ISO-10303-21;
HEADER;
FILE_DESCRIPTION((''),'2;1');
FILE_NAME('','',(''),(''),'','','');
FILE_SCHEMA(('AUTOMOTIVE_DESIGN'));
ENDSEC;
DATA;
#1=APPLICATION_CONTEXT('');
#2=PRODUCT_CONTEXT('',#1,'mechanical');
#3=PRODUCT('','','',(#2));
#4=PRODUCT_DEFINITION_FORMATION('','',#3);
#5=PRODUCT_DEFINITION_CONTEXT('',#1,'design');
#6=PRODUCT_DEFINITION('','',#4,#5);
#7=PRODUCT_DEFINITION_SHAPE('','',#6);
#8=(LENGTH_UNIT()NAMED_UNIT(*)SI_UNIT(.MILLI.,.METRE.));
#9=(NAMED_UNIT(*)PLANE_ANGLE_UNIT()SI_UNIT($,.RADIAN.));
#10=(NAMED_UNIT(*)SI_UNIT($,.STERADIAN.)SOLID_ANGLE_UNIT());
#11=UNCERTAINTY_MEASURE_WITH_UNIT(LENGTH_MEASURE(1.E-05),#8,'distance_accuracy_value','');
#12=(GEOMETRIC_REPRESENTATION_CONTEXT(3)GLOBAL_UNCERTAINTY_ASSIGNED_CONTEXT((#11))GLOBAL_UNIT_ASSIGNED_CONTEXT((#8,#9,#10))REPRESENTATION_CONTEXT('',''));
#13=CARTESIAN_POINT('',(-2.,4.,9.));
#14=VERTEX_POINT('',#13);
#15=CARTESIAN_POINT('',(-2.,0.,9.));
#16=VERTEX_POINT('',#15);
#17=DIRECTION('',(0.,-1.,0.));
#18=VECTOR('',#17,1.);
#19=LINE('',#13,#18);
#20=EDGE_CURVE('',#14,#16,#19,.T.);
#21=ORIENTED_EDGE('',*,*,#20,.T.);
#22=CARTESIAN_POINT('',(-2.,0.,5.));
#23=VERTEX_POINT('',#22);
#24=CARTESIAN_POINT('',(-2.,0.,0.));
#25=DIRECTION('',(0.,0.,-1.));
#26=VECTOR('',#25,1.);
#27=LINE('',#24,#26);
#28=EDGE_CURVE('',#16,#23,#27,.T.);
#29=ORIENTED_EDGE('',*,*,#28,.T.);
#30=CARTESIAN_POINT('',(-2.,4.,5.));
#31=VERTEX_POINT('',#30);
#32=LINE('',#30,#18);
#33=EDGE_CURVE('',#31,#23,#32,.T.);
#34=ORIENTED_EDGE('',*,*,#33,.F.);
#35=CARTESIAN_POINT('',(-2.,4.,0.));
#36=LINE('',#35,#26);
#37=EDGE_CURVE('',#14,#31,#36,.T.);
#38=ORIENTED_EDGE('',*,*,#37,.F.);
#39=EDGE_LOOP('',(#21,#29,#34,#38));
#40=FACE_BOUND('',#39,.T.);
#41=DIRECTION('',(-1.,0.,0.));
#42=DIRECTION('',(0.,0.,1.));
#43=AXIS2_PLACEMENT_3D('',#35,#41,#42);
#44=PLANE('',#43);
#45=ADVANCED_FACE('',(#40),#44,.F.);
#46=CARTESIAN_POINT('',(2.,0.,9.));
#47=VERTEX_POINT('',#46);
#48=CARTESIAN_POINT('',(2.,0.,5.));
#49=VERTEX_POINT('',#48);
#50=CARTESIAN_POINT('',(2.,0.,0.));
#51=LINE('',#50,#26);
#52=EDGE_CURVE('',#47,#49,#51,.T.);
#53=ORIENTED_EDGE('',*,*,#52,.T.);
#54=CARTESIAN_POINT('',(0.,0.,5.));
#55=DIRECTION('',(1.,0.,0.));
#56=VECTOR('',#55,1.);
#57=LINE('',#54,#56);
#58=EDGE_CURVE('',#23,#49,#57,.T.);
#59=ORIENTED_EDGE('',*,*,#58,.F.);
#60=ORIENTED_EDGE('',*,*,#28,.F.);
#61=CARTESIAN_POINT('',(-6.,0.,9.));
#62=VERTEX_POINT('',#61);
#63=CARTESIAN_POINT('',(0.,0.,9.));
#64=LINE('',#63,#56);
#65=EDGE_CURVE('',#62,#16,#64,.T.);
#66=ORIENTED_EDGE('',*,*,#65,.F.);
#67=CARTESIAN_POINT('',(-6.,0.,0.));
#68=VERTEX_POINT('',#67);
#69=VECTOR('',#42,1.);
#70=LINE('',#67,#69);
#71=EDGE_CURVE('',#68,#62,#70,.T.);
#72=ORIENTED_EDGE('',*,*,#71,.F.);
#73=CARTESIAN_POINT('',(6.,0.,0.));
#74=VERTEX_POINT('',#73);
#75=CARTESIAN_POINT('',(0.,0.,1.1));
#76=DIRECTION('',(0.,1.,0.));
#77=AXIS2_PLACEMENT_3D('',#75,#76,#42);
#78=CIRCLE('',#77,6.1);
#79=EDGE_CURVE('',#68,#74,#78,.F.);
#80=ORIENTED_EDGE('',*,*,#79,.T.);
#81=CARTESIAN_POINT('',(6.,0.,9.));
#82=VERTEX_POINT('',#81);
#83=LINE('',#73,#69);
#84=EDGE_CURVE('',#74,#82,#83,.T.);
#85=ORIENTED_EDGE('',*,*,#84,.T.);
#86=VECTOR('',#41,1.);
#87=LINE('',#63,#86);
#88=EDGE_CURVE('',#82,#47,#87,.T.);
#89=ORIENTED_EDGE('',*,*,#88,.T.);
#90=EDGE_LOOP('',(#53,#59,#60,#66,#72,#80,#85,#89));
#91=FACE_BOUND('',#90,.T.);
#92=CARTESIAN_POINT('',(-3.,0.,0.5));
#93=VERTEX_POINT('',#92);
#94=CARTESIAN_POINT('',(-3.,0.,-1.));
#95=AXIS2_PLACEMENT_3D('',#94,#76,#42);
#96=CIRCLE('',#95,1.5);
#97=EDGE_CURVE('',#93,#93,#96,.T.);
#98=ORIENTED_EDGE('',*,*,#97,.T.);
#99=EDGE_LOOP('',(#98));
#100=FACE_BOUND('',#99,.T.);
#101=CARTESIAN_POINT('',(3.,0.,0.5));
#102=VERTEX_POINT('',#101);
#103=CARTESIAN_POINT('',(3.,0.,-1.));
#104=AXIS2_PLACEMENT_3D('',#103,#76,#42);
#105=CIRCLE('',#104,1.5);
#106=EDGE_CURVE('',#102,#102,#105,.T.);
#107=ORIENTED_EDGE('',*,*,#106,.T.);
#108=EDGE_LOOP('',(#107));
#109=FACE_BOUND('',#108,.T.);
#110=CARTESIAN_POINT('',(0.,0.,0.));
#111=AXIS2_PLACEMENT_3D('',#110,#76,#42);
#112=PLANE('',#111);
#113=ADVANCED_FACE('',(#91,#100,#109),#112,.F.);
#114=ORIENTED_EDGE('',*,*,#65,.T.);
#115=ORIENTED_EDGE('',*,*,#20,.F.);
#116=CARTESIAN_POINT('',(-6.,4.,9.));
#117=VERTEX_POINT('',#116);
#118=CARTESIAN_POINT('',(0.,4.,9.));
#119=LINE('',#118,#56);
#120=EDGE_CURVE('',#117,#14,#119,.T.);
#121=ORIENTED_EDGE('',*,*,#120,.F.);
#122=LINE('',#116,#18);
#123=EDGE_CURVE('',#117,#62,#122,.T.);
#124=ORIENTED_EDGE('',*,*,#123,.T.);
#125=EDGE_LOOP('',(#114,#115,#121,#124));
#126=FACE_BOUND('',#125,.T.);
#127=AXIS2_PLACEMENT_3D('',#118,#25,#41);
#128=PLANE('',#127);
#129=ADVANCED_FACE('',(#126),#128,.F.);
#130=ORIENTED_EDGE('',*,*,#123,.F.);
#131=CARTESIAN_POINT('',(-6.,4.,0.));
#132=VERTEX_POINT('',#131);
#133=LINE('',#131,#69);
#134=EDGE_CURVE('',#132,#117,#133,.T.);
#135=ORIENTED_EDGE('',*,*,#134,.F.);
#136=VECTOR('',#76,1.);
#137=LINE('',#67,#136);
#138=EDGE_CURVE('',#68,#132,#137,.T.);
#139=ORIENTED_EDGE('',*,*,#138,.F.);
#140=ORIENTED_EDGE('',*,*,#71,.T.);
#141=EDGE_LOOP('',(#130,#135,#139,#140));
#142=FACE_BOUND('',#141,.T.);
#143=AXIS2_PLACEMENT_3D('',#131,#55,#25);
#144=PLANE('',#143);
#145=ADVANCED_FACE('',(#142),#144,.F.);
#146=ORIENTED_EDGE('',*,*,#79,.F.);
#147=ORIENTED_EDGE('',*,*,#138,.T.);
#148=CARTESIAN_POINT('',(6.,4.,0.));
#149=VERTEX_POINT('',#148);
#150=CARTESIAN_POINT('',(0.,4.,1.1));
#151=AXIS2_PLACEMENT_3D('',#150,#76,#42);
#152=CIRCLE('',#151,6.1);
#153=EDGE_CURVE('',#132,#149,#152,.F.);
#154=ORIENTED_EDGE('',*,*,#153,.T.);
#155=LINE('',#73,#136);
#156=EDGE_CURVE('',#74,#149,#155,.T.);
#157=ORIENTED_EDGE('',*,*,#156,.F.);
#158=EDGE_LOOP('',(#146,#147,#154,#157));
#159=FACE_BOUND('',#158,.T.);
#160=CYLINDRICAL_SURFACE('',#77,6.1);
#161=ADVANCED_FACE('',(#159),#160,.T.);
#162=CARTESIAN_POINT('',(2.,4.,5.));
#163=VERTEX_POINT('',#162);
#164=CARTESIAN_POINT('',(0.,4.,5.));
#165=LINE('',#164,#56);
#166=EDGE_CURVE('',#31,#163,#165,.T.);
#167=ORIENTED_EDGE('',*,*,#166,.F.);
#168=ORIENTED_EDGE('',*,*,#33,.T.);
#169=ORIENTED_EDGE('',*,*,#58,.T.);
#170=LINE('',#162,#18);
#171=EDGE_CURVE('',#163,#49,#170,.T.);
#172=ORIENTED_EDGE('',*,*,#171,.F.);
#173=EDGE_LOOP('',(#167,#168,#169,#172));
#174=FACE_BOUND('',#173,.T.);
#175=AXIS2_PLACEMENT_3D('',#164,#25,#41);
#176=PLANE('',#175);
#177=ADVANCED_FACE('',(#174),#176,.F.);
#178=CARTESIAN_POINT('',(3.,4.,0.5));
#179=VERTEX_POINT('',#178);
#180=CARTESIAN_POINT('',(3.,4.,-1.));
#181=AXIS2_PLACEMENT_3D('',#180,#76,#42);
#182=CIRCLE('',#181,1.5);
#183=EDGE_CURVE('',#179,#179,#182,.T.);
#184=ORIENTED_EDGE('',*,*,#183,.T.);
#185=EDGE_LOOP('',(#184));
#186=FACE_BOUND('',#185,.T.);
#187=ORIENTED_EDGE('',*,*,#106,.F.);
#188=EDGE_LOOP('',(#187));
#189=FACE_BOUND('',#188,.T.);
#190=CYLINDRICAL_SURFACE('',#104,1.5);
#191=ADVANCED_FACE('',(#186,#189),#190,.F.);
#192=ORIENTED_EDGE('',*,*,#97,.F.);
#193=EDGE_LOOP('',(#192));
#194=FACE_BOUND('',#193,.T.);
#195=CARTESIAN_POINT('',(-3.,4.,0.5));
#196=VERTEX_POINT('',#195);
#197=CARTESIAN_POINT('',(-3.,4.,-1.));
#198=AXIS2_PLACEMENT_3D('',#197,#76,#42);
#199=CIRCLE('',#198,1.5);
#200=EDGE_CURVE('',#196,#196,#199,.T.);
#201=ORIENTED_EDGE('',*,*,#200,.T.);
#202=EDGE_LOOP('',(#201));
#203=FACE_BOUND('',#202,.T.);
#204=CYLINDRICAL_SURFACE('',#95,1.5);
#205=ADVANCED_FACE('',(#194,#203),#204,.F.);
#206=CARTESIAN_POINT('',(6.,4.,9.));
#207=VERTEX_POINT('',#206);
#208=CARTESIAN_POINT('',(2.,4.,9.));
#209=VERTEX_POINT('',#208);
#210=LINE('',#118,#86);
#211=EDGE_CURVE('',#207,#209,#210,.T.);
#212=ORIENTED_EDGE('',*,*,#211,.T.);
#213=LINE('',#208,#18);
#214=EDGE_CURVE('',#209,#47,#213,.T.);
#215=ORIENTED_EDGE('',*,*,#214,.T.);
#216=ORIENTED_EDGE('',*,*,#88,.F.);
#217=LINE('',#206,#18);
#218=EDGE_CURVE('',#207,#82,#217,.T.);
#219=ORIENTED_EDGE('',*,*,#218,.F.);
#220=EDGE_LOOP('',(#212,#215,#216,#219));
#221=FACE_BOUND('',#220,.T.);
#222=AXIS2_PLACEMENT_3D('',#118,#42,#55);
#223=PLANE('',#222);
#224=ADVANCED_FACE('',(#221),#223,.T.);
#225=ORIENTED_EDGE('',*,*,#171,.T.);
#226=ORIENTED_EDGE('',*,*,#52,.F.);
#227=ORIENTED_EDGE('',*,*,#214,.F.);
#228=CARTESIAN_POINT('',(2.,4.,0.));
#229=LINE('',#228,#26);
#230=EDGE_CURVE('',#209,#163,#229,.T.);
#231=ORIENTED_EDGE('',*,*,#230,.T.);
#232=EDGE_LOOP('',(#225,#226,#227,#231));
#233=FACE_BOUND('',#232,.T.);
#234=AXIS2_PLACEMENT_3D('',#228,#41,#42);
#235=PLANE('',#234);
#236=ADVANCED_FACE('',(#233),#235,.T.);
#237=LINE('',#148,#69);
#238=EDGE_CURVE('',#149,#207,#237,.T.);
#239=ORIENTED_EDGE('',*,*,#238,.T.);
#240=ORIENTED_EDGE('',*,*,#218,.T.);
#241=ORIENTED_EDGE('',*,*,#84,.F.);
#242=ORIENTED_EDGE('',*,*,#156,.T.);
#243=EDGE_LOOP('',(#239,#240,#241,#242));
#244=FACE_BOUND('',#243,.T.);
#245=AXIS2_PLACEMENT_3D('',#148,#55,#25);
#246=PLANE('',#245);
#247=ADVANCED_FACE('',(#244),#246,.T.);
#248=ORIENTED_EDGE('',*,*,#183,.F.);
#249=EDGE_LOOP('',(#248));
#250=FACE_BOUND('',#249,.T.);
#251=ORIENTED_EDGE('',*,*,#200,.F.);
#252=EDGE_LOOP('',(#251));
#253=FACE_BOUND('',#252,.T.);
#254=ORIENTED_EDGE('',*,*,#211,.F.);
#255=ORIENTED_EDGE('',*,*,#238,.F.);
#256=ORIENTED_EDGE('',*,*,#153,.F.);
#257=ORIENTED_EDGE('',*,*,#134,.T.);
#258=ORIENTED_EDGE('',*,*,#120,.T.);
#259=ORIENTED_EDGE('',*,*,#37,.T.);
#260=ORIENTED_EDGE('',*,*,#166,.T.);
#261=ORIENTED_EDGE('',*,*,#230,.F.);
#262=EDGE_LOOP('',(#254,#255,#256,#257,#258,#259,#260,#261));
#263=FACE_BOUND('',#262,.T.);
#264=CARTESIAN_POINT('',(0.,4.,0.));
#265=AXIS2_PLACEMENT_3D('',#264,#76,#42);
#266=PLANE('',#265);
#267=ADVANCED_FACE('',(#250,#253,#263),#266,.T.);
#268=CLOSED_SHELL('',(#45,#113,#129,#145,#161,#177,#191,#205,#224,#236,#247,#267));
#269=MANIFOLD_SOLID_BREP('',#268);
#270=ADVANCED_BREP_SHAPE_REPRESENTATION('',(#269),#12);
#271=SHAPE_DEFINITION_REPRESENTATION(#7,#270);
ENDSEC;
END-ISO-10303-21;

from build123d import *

# Parameters (mm, degrees)
SKETCH1_W           = 12
SKETCH1_H           = 10
SKETCH1_W_2         = 4
SKETCH1_H_2         = 4
BOSS_EXTRUDE1_DEPTH = 4
SKETCH2_R           = 1.5
CUT_EXTRUDE1_DEPTH  = 12.532562595
CUT_EXTRUDE3_DEPTH  = 4


with BuildPart() as part:
    # Sketch1 → Boss-Extrude1 (new body)
    with BuildSketch(Plane(origin=(0, 0, 0), x_dir=(1, 0, 0), z_dir=(0, 1, 0))):
        Rectangle(SKETCH1_W, SKETCH1_H)
        with Locations((-4, -7)):
            Rectangle(SKETCH1_W_2, SKETCH1_H_2)
        with Locations((4, -7)):
            Rectangle(SKETCH1_W_2, SKETCH1_H_2)
    extrude(amount=BOSS_EXTRUDE1_DEPTH)

    # Sketch2 → Cut-Extrude1 (cut, through all)
    with BuildSketch(Plane(origin=(0, 4, 0), x_dir=(1, 0, 0), z_dir=(0, 1, 0))):
        with Locations(Location((-3, 1, 0), (0, 0, 270))):
            Circle(SKETCH2_R)
        with Locations(Location((3, 1, 0), (0, 0, 270))):
            Circle(SKETCH2_R)
    extrude(amount=-CUT_EXTRUDE1_DEPTH, mode=Mode.SUBTRACT)

    # Sketch3 → Cut-Extrude3 (cut)
    with BuildSketch(Plane(origin=(0, 4, 0), x_dir=(1, 0, 0), z_dir=(0, 1, 0))):
        with BuildLine():
            ThreePointArc((-6, 0), (-3.905124845, 3.586149799), (-1.9e-08, 5))
            Line((-1.9e-08, 5), (-6, 5))
            Line((-6, 5), (-6, 0))
        make_face()
        with BuildLine():
            ThreePointArc((-1.9e-08, 5), (3.905124831, 3.586149812), (6, 0))
            Line((6, 0), (6, 5))
            Line((6, 5), (-1.9e-08, 5))
        make_face()
    extrude(amount=-CUT_EXTRUDE3_DEPTH, mode=Mode.SUBTRACT)


solid = part.part
